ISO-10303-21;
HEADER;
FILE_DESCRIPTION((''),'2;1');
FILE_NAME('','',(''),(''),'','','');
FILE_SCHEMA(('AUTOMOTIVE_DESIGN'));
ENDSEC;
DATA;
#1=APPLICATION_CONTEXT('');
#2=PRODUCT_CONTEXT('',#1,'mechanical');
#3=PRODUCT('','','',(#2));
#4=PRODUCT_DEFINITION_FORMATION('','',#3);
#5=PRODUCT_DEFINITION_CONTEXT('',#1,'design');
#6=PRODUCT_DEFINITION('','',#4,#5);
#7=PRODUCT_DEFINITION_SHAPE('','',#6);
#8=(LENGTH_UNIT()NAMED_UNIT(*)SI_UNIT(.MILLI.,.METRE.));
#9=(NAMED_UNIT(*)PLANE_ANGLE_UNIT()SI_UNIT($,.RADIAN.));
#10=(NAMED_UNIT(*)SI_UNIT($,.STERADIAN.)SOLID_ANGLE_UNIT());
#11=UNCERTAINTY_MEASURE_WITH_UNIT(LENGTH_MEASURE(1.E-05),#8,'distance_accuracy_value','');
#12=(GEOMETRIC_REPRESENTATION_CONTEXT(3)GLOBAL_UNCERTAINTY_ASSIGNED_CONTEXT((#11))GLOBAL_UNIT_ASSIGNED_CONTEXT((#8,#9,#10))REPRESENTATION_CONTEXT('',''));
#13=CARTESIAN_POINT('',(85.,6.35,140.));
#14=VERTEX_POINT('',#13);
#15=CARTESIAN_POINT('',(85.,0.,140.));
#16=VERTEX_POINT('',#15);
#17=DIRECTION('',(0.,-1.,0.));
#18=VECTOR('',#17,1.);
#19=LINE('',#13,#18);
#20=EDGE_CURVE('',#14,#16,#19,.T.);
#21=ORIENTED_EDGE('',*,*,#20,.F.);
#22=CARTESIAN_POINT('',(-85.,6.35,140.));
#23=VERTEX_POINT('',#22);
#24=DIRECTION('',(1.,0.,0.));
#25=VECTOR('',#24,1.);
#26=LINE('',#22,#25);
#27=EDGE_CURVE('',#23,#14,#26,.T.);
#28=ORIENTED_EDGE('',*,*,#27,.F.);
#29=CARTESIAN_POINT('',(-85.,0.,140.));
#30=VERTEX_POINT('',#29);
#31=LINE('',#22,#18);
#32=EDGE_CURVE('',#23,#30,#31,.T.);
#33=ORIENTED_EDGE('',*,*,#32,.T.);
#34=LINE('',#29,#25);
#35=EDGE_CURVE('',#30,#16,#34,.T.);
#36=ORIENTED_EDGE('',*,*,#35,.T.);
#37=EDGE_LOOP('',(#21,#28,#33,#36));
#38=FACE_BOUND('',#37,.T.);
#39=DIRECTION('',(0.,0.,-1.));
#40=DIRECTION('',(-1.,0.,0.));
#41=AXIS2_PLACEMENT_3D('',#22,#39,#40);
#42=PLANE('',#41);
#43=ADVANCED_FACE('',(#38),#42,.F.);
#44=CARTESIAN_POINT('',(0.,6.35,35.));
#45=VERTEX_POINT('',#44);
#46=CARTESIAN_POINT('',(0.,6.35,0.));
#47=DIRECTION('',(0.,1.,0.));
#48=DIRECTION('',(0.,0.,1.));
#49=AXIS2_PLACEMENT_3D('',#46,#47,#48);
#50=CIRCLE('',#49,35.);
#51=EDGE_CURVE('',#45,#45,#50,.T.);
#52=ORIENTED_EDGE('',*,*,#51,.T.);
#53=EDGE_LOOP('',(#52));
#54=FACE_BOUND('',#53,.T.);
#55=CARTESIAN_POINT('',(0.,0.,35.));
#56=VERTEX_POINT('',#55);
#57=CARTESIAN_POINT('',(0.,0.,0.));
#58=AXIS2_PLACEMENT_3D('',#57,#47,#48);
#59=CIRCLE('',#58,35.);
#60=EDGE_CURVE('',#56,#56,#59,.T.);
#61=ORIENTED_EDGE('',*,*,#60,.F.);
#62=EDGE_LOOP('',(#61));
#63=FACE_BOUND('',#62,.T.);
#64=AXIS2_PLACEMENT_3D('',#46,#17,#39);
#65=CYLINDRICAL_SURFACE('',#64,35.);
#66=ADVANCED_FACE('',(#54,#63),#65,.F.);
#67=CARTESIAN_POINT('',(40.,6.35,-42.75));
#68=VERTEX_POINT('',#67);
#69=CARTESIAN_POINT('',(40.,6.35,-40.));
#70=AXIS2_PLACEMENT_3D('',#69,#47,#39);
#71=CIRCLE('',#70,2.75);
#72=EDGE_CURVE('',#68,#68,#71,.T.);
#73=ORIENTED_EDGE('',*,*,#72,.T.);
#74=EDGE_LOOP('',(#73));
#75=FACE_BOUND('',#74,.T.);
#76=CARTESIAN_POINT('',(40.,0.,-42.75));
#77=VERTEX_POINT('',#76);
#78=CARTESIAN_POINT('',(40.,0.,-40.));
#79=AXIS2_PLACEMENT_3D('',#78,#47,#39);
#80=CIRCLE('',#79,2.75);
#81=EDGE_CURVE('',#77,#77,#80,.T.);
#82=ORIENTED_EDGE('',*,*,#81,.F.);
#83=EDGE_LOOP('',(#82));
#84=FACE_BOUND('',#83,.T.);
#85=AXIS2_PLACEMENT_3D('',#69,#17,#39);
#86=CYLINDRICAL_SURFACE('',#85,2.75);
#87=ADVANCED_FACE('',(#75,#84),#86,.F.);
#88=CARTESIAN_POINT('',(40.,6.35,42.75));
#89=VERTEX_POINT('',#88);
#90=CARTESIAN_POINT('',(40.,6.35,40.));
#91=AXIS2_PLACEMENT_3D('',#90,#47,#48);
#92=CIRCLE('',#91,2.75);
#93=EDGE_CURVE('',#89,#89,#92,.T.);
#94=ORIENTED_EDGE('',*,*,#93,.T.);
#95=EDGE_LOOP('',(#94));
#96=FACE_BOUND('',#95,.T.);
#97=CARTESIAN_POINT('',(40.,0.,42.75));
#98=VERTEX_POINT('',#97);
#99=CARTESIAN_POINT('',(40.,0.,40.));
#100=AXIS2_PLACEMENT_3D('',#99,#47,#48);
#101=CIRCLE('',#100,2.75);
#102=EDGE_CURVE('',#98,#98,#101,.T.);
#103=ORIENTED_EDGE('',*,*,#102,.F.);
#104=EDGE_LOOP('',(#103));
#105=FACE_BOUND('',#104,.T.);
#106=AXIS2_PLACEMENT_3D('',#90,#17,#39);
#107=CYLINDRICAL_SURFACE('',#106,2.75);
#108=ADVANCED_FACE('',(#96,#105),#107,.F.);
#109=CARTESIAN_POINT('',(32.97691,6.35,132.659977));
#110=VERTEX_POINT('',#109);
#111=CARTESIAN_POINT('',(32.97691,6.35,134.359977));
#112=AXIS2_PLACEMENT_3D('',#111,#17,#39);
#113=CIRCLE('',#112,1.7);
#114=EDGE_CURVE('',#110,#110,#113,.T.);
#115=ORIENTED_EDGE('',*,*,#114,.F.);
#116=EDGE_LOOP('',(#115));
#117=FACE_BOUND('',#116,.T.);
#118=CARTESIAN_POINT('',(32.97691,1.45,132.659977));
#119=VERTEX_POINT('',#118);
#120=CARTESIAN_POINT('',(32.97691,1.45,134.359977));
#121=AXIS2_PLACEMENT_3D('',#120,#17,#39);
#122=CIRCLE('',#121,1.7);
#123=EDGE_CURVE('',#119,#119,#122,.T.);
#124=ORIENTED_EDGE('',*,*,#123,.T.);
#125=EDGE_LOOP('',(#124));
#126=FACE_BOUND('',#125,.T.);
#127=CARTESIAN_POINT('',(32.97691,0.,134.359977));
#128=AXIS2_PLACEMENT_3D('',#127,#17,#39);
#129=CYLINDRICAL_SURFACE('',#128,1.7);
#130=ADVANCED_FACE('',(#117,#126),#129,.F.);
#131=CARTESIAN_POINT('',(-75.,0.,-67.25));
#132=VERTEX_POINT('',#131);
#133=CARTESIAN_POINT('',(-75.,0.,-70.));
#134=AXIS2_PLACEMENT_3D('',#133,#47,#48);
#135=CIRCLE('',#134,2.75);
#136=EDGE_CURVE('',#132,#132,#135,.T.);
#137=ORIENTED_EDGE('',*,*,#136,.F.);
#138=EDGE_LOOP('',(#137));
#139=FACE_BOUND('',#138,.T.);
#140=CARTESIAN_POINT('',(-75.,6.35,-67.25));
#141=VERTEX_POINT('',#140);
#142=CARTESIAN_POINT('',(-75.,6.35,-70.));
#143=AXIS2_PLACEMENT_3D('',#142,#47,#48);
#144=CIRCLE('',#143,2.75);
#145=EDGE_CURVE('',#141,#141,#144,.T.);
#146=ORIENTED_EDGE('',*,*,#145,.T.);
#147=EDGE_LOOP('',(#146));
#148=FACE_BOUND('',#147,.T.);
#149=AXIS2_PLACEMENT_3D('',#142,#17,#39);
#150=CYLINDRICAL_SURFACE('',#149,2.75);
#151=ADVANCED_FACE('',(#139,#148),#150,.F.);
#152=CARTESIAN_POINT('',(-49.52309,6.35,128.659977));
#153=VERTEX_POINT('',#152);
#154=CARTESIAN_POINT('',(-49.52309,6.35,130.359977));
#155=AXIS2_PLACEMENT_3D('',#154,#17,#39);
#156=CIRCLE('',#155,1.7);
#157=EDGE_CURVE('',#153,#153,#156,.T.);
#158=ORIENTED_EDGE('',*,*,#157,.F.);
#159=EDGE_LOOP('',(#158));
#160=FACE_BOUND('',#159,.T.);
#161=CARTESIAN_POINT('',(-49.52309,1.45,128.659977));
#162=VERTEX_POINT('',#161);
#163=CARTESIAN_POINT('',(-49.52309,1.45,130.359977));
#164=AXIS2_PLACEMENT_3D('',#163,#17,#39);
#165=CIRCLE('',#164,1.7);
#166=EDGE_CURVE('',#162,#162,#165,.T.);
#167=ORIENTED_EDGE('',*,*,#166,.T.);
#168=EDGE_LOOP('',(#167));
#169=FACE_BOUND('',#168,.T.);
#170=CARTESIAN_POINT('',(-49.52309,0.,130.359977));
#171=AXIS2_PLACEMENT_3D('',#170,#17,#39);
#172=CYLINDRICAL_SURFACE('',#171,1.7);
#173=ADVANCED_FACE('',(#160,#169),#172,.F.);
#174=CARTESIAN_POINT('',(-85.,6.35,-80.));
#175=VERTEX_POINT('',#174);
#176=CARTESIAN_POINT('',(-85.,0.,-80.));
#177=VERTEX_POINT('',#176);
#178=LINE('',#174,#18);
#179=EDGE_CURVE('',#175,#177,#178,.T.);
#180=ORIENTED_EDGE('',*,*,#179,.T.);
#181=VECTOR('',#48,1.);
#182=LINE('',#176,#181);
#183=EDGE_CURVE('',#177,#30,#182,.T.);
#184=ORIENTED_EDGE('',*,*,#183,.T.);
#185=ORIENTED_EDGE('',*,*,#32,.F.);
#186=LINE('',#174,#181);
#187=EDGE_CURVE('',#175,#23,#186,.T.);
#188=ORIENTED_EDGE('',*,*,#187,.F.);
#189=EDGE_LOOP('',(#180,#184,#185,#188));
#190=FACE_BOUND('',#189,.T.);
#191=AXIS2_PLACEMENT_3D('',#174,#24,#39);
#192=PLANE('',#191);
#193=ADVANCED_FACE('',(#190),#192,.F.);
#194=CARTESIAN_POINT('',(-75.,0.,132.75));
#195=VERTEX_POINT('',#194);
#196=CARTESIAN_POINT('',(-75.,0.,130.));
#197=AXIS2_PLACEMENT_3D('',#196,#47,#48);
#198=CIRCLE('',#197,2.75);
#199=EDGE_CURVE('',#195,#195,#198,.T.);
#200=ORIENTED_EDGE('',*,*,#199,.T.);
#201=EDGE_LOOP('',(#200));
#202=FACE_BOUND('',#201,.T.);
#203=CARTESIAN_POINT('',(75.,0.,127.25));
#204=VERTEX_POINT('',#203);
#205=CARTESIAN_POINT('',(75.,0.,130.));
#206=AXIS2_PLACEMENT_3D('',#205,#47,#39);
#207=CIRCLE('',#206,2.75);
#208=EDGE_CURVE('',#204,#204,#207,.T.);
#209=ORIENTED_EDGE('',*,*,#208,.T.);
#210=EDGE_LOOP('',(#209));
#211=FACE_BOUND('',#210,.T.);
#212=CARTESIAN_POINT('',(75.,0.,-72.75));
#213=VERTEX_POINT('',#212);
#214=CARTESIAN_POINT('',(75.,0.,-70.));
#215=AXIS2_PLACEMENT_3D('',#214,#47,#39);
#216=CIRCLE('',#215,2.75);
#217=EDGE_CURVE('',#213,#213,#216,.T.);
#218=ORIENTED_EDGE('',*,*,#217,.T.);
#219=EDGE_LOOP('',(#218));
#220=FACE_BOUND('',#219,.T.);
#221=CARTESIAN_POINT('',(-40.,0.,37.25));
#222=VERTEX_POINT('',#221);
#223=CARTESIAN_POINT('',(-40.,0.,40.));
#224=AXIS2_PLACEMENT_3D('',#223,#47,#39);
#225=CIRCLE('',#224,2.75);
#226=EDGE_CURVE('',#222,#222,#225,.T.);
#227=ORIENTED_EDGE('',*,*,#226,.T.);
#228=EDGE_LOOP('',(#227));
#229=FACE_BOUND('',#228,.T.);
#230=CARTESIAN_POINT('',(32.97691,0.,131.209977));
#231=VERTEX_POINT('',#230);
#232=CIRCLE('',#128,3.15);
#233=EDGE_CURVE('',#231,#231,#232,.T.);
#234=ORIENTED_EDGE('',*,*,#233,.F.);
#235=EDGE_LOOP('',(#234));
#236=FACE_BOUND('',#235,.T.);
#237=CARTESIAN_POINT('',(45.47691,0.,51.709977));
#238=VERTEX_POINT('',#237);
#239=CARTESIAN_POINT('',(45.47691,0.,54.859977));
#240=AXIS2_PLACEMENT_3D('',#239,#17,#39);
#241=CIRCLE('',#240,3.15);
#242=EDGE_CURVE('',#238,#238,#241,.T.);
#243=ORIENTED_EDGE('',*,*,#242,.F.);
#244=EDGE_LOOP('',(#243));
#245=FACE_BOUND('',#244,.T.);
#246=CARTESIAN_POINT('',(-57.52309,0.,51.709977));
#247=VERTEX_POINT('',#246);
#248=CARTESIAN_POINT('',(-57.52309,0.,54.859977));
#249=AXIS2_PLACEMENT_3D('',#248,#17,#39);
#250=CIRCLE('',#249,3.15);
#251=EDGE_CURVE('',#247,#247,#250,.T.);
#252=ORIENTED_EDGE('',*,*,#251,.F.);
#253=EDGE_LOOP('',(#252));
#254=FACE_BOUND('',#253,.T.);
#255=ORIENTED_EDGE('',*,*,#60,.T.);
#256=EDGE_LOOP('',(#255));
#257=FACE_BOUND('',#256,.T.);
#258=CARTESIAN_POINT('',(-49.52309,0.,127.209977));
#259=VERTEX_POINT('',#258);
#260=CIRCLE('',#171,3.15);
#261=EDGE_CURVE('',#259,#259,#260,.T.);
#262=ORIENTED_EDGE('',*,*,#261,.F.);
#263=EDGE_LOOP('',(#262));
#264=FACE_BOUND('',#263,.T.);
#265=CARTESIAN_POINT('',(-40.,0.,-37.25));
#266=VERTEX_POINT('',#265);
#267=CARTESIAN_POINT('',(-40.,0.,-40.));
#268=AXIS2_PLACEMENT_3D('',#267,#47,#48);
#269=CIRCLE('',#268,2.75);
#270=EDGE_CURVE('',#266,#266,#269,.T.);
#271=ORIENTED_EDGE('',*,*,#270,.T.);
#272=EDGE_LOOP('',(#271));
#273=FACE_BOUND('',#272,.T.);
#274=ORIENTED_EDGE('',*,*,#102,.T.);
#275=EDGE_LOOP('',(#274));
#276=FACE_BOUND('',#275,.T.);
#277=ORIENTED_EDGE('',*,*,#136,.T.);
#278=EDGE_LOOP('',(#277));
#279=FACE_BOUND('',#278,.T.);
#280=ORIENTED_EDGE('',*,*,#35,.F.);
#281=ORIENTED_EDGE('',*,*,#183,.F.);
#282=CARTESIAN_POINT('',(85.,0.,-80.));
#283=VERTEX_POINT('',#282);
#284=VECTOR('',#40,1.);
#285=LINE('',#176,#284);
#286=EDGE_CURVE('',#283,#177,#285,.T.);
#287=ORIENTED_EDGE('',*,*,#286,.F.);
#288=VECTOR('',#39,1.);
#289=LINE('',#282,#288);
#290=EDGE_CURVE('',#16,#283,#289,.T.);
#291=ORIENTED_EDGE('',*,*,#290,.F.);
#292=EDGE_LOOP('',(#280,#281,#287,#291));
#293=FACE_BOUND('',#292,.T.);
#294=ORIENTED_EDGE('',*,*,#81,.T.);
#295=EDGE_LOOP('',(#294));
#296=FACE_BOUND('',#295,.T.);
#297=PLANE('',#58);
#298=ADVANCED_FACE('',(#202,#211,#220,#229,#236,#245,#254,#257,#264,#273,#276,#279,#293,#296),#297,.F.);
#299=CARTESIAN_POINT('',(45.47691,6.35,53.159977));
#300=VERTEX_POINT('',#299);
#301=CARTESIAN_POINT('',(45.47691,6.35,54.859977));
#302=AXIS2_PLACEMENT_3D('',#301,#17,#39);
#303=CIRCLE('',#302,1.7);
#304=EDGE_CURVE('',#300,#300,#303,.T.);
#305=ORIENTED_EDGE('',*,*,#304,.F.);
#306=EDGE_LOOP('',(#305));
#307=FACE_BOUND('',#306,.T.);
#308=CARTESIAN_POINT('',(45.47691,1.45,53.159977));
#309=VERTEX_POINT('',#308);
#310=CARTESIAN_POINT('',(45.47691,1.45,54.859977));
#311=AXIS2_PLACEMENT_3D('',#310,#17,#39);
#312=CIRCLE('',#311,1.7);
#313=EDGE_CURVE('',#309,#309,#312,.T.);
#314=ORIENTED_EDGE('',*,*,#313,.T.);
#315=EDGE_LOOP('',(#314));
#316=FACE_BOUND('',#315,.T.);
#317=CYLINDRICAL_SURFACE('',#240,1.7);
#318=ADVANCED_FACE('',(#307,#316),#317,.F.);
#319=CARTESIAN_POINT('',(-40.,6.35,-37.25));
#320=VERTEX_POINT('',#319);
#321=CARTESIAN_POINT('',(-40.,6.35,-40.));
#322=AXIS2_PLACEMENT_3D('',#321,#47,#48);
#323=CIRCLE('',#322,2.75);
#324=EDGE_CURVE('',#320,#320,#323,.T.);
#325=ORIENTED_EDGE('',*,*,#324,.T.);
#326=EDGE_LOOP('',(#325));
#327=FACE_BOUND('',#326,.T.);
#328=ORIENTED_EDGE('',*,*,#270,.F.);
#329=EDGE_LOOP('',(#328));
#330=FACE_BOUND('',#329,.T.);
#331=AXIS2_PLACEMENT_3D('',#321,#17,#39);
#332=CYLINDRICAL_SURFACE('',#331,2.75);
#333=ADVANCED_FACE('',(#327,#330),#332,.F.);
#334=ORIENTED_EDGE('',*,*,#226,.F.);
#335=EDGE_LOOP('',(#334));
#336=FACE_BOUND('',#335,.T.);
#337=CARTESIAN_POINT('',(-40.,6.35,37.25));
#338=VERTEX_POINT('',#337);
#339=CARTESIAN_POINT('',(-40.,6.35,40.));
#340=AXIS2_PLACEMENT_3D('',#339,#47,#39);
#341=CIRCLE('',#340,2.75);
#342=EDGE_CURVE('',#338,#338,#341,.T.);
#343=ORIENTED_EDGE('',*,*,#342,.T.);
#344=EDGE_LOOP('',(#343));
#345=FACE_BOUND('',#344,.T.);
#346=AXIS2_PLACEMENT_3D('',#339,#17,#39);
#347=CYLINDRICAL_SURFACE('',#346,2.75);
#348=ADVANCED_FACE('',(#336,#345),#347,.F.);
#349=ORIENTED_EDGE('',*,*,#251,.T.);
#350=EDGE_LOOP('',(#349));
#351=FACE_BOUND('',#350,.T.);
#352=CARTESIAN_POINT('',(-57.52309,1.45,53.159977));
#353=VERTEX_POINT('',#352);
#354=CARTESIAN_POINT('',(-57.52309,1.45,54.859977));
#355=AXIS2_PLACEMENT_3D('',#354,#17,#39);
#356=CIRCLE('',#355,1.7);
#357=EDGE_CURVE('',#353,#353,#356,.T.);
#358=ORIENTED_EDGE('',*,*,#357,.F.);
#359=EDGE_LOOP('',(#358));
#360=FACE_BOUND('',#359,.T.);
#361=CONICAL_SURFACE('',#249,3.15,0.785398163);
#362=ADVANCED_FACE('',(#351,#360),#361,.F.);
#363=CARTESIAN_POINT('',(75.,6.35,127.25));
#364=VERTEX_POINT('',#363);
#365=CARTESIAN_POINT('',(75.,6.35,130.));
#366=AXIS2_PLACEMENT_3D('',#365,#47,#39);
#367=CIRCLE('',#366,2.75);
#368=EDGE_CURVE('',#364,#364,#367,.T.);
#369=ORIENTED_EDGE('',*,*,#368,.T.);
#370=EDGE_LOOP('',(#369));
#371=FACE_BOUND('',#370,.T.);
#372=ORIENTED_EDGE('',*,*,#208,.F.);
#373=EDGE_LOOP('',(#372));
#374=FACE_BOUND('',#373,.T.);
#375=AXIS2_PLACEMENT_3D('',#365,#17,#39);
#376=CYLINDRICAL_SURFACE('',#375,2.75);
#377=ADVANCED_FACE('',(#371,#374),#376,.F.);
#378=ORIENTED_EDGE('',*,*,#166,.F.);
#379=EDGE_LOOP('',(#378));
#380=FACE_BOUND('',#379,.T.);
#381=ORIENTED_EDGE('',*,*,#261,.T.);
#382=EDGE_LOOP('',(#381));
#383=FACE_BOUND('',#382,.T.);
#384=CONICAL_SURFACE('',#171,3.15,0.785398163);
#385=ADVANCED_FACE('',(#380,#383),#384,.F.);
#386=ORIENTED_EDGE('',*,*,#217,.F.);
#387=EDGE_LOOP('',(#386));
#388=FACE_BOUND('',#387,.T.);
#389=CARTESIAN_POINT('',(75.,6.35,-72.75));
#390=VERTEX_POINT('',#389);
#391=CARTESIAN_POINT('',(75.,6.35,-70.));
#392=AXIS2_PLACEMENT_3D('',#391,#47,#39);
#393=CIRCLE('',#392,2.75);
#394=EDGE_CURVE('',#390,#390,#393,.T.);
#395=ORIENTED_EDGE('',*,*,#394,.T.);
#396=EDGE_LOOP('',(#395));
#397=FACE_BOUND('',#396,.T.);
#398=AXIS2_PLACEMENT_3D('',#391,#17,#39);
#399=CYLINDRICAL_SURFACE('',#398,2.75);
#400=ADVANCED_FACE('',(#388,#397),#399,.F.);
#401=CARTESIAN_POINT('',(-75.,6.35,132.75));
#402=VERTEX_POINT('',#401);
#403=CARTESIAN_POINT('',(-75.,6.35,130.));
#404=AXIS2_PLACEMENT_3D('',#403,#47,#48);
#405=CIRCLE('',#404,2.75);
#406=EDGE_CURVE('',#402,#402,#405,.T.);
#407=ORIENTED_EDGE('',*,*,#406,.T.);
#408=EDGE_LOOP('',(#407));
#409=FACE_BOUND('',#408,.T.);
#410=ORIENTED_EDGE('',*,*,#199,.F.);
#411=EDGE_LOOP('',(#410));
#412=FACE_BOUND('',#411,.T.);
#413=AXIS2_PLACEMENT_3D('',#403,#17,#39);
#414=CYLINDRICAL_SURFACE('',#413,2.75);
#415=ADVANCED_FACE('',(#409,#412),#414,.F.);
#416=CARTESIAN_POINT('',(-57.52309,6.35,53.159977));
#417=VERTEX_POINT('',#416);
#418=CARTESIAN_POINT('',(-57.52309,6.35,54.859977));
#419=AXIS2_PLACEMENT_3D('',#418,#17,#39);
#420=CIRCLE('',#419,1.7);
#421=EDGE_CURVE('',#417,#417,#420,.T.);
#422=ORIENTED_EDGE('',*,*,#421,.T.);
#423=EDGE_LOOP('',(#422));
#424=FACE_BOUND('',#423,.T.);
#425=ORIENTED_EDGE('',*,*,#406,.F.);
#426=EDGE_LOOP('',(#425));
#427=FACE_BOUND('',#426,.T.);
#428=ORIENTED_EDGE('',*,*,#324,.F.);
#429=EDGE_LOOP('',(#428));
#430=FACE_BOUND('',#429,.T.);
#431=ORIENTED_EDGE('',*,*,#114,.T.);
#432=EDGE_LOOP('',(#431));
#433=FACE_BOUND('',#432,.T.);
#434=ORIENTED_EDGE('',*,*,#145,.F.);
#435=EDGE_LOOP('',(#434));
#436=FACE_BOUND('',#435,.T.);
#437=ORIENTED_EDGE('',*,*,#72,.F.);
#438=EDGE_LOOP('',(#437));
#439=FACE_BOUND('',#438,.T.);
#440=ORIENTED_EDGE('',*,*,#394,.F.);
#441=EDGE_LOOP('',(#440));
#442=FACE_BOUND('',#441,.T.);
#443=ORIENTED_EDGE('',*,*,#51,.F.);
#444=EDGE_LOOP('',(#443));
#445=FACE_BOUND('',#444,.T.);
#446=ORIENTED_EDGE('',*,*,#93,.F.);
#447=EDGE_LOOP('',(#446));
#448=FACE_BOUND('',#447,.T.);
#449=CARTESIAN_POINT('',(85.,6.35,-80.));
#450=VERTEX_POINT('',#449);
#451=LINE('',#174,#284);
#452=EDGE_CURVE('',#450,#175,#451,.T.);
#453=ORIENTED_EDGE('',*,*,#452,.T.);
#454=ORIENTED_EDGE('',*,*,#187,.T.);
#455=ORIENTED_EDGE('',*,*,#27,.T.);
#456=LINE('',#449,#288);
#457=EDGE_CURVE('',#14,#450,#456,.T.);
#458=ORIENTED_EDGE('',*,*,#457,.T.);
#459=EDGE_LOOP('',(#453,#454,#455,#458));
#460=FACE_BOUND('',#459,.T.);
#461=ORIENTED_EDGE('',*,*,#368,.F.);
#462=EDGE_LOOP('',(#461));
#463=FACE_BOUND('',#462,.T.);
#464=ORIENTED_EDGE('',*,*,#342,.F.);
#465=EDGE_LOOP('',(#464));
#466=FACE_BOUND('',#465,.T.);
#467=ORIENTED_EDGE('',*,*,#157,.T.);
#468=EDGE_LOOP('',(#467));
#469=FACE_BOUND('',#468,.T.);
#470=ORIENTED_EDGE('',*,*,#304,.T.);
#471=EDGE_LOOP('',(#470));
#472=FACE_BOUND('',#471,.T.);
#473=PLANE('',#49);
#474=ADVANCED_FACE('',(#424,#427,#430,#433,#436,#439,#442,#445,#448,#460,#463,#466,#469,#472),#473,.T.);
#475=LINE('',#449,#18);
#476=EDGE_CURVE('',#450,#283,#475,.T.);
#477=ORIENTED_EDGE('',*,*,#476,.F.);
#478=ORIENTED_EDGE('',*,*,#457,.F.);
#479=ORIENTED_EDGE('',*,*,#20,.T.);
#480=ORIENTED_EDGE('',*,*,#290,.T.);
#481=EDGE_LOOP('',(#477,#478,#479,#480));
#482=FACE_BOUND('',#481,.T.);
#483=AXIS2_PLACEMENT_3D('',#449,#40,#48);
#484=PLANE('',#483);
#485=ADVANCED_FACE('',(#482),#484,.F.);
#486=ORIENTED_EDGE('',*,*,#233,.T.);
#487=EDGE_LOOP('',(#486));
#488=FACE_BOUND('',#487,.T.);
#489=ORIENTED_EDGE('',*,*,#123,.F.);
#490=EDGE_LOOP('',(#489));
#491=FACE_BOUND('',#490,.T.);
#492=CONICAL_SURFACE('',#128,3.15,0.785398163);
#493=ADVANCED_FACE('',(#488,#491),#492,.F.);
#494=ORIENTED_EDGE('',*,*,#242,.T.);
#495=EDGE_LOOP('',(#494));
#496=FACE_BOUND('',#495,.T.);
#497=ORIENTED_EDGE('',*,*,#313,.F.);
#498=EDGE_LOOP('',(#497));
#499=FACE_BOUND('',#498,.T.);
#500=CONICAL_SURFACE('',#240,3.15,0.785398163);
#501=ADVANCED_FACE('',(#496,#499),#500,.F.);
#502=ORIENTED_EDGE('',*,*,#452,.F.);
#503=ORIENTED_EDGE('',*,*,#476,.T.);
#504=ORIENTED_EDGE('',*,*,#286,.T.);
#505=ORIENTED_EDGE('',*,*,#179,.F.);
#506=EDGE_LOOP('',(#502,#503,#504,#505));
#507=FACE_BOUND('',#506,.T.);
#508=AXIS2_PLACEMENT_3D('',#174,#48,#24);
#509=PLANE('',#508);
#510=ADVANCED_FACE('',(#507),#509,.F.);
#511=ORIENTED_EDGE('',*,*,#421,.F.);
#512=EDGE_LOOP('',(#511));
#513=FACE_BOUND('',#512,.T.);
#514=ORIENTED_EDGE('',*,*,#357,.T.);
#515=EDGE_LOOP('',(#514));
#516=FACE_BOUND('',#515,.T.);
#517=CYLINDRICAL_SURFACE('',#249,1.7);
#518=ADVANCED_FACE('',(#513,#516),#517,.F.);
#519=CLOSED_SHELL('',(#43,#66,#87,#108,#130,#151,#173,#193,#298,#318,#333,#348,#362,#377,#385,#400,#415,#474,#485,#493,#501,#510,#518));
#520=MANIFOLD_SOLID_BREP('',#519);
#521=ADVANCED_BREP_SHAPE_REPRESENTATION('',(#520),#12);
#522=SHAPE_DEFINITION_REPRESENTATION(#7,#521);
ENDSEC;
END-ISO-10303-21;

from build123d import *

# Parameters (mm, degrees)
SKETCH2_W                                       = 170
SKETCH2_H                                       = 220
SKETCH2_R                                       = 35
SKETCH2_R_2                                     = 2.75
BOSS_EXTRUDE1_DEPTH                             = 6.35
CSK_FOR_M3_FLAT_HEAD_MACHINE_SCREW2_D           = 3.4
CSK_FOR_M3_FLAT_HEAD_MACHINE_SCREW2_CSINK_D     = 6.3
CSK_FOR_M3_FLAT_HEAD_MACHINE_SCREW2_CSINK_ANGLE = 90


with BuildPart() as part:
    # Sketch2 → Boss-Extrude1 (new body)
    with BuildSketch(Plane(origin=(0, 0, 0), x_dir=(1, 0, 0), z_dir=(0, 1, 0))):
        with Locations((0, -30)):
            Rectangle(SKETCH2_W, SKETCH2_H)
        Circle(SKETCH2_R, mode=Mode.SUBTRACT)
        with Locations((-40, 40)):
            Circle(SKETCH2_R_2, mode=Mode.SUBTRACT)
        with Locations((40, 40)):
            Circle(SKETCH2_R_2, mode=Mode.SUBTRACT)
        with Locations((40, -40)):
            Circle(SKETCH2_R_2, mode=Mode.SUBTRACT)
        with Locations((-40, -40)):
            Circle(SKETCH2_R_2, mode=Mode.SUBTRACT)
        with Locations((-75, 70)):
            Circle(SKETCH2_R_2, mode=Mode.SUBTRACT)
        with Locations((-75, -130)):
            Circle(SKETCH2_R_2, mode=Mode.SUBTRACT)
        with Locations((75, 70)):
            Circle(SKETCH2_R_2, mode=Mode.SUBTRACT)
        with Locations((75, -130)):
            Circle(SKETCH2_R_2, mode=Mode.SUBTRACT)
    extrude(amount=BOSS_EXTRUDE1_DEPTH)

    # CSK for M3 Flat Head Machine Screw2 (through all)
    with Locations(Plane(origin=(0, 0, 0), x_dir=(-1, 0, 0), z_dir=(0, -1, 0))):
        with Locations((57.523089764, -54.859977456), (-45.476910236, -54.859977456), (-32.976910236, -134.359977456), (49.523089764, -130.359977456)):
            CounterSinkHole(CSK_FOR_M3_FLAT_HEAD_MACHINE_SCREW2_D / 2, CSK_FOR_M3_FLAT_HEAD_MACHINE_SCREW2_CSINK_D / 2, counter_sink_angle=CSK_FOR_M3_FLAT_HEAD_MACHINE_SCREW2_CSINK_ANGLE)


solid = part.part
